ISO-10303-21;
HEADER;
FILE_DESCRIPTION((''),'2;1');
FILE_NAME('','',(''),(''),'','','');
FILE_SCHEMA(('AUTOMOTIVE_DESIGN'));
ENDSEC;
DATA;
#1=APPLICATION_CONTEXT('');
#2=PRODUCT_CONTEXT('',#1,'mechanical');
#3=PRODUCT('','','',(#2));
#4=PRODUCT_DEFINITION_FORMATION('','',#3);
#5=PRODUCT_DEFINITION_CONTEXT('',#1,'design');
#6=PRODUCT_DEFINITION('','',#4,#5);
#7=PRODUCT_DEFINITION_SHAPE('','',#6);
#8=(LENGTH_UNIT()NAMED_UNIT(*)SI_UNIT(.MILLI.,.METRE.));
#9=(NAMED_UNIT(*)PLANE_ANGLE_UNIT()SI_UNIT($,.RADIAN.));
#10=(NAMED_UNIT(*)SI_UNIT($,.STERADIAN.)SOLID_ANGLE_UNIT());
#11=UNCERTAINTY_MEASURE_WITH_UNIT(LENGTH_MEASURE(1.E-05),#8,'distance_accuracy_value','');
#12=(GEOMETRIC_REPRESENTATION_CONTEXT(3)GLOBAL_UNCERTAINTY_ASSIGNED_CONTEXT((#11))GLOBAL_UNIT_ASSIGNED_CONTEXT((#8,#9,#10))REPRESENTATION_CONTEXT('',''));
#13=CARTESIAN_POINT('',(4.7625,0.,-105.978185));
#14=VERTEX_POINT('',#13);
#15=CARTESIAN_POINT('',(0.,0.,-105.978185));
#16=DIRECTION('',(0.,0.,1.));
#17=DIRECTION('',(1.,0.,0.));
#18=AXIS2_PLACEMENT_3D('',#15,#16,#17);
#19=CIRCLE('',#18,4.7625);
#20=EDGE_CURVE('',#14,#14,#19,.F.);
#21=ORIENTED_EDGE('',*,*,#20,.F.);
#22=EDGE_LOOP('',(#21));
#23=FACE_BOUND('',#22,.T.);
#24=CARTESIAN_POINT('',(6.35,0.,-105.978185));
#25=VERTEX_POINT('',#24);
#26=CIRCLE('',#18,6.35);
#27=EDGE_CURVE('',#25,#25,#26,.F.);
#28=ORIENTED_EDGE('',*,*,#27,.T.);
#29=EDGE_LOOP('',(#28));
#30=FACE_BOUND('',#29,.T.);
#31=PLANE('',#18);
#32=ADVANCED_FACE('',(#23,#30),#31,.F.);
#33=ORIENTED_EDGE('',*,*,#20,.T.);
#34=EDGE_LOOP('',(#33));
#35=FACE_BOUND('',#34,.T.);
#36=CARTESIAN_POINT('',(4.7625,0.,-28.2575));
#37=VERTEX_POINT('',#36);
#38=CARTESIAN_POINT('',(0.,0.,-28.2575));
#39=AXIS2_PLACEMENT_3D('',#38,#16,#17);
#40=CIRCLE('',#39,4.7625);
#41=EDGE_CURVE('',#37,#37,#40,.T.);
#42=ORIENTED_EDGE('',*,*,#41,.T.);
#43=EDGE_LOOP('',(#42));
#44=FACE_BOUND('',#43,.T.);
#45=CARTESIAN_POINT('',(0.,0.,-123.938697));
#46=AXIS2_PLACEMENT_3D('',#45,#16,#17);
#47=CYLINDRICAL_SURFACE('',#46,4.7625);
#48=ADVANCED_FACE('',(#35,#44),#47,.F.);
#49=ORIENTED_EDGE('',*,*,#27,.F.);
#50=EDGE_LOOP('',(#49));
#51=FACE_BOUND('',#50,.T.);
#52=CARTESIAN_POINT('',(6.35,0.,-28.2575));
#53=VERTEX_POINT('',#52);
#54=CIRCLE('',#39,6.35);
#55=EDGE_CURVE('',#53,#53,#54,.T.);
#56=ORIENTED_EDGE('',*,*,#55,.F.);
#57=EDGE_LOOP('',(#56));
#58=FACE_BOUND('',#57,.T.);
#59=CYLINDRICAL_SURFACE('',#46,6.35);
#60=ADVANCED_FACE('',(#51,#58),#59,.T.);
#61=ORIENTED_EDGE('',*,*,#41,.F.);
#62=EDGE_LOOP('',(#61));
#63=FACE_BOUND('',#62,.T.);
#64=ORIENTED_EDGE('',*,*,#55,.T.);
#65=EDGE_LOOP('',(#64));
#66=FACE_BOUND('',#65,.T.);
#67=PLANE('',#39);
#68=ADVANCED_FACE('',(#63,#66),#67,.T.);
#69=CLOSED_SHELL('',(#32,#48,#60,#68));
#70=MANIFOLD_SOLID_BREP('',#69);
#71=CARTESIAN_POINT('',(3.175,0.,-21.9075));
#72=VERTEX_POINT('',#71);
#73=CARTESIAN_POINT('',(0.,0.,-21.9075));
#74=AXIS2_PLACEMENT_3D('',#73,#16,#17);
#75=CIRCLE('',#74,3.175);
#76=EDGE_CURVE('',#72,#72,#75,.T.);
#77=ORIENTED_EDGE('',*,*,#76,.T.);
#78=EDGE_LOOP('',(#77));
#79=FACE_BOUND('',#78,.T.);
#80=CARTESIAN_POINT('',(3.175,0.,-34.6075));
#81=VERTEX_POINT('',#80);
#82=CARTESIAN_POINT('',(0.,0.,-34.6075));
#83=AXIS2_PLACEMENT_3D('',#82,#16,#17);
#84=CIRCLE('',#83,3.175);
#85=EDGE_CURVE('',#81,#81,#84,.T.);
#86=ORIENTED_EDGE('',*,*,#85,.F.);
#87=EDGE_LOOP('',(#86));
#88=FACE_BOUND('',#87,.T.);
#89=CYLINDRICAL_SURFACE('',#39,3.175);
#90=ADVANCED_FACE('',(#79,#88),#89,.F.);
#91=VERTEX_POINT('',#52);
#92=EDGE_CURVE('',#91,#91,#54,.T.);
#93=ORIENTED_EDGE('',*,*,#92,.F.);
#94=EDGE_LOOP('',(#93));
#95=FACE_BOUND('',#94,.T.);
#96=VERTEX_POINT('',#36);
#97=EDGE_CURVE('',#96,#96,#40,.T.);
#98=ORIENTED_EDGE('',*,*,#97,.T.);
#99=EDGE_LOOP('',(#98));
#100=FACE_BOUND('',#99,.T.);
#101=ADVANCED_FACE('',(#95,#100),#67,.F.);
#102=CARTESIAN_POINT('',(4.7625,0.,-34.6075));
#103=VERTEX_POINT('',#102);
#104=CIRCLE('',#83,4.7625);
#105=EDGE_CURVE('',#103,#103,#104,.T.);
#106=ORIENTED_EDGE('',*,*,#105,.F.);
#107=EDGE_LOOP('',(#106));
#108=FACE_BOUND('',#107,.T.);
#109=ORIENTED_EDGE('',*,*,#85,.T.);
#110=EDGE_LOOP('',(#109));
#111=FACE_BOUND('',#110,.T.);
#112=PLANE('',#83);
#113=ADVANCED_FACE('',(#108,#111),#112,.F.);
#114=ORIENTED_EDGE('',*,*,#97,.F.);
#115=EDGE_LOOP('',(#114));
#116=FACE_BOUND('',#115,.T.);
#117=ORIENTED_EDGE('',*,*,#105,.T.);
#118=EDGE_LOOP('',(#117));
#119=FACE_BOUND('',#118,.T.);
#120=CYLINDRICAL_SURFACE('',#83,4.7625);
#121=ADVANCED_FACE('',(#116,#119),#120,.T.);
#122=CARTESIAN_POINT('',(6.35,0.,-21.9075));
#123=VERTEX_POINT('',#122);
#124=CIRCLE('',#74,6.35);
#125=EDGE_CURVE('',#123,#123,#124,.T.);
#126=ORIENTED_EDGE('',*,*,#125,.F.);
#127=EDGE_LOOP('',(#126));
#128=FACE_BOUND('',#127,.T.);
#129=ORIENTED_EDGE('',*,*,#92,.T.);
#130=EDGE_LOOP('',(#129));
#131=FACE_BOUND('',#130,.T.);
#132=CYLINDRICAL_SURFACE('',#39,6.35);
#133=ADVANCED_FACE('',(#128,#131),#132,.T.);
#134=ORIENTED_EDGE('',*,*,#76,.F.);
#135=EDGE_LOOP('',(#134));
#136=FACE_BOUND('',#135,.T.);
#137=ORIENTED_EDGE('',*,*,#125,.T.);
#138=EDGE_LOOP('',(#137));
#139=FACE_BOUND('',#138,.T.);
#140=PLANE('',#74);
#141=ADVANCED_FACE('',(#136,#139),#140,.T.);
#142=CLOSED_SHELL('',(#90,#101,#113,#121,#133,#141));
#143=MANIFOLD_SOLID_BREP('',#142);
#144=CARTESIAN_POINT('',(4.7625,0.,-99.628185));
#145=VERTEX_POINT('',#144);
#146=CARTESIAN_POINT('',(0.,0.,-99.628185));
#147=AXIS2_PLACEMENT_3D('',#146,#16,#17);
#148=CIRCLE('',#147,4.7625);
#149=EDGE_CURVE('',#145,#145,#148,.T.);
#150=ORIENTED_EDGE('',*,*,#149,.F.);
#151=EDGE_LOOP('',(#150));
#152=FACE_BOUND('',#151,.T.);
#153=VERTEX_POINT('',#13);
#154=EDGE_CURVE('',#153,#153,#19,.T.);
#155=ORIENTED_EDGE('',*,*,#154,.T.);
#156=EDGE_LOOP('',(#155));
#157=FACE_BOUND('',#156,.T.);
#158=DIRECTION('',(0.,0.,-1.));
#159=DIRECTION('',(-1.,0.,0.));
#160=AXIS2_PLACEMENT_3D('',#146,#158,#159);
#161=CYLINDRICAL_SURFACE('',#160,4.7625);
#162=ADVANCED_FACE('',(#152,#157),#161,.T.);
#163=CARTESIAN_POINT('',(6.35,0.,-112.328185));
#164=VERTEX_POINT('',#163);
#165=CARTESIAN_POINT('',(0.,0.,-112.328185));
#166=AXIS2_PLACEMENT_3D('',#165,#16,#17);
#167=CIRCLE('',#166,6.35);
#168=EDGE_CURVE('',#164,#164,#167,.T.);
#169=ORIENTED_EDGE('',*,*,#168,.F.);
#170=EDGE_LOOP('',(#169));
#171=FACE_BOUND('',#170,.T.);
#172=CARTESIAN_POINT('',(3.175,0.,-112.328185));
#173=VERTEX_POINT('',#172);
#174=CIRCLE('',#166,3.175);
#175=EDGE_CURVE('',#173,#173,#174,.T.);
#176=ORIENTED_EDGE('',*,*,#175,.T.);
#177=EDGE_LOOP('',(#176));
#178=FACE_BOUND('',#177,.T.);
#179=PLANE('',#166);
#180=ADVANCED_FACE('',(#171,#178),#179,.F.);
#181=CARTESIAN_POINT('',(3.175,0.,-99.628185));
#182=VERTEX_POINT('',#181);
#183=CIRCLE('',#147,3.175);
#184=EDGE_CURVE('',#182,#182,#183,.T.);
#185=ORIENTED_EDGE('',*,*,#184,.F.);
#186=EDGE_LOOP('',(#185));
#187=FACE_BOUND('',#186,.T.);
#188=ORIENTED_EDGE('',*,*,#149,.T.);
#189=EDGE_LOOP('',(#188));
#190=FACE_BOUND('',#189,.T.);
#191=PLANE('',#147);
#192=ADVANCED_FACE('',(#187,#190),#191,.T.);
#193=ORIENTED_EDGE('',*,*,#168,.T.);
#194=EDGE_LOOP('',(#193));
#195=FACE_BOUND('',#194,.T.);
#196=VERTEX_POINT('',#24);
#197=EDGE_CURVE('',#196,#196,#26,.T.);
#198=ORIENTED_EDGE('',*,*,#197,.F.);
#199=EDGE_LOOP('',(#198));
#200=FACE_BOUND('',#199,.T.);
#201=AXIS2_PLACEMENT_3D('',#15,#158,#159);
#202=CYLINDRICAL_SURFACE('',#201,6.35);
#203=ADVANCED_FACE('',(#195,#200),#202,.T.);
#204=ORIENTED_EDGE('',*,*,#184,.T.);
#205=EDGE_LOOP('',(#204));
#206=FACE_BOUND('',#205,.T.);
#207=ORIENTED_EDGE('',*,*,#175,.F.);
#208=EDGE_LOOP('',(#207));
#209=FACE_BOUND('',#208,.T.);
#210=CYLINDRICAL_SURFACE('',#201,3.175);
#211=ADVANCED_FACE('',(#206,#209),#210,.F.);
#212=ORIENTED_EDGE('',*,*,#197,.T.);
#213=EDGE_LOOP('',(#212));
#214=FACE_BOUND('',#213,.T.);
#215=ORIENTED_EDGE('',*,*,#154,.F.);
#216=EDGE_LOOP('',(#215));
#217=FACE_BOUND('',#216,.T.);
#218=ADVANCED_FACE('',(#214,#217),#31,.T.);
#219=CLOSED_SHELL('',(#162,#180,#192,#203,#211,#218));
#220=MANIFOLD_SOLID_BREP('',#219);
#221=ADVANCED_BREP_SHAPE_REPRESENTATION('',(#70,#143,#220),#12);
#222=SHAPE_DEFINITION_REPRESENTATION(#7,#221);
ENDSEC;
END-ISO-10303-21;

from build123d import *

# Parameters (mm, degrees)
THREADED_START            = -21.9075
SKETCH2_R                 = 6.35
SKETCH2_R_2               = 4.7625
SKETCH2_R_3               = 3.175
THREADED_INSERT_1_1_DEPTH = 6.35
THREADED_START_2          = -28.2575
SKETCH2_5_R               = 4.7625
SKETCH2_5_R_2             = 3.175
THREADED_INSERT_1_2_DEPTH = 6.35
BOSS_EXTRUDE4_START       = -112.328185
SKETCH2_7_R               = 6.35
SKETCH2_7_R_2             = 4.7625
SKETCH2_7_R_3             = 3.175
BOSS_EXTRUDE4_DEPTH       = 6.35
BOSS_EXTRUDE5_START       = -99.628185
SKETCH2_8_R               = 4.7625
SKETCH2_8_R_2             = 3.175
BOSS_EXTRUDE5_DEPTH       = 6.35
BOSS_EXTRUDE6_START       = -28.2575
SKETCH2_9_R               = 6.35
SKETCH2_9_R_2             = 4.7625
BOSS_EXTRUDE6_DEPTH       = 77.720684792


with BuildPart() as part:
    # Sketch2 → Threaded Insert 1-1 (new body)
    # profile 1 of 2: a face of its own
    with BuildSketch(Plane.XY.offset(THREADED_START)):
        Circle(SKETCH2_R)
        Circle(SKETCH2_R_2, mode=Mode.SUBTRACT)
    # profile 2 of 2: a face of its own
    with BuildSketch(Plane.XY.offset(THREADED_START)):
        Circle(SKETCH2_R_2)
        Circle(SKETCH2_R_3, mode=Mode.SUBTRACT)
    extrude(amount=-THREADED_INSERT_1_1_DEPTH)

    # Sketch2<5> → Threaded Insert 1-2 (add)
    with BuildSketch(Plane.XY.offset(THREADED_START_2)):
        Circle(SKETCH2_5_R)
        Circle(SKETCH2_5_R_2, mode=Mode.SUBTRACT)
    extrude(amount=-THREADED_INSERT_1_2_DEPTH)


with BuildPart() as body_2:
    # Sketch2<7> → Boss-Extrude4 (new body)
    # profile 1 of 2: a face of its own
    with BuildSketch(Plane.XY.offset(BOSS_EXTRUDE4_START)):
        Circle(SKETCH2_7_R)
        Circle(SKETCH2_7_R_2, mode=Mode.SUBTRACT)
    # profile 2 of 2: a face of its own
    with BuildSketch(Plane.XY.offset(BOSS_EXTRUDE4_START)):
        Circle(SKETCH2_7_R_2)
        Circle(SKETCH2_7_R_3, mode=Mode.SUBTRACT)
    extrude(amount=BOSS_EXTRUDE4_DEPTH)

    # Sketch2<8> → Boss-Extrude5 (add)
    with BuildSketch(Plane.XY.offset(BOSS_EXTRUDE5_START)):
        Circle(SKETCH2_8_R)
        Circle(SKETCH2_8_R_2, mode=Mode.SUBTRACT)
    extrude(amount=-BOSS_EXTRUDE5_DEPTH)


with BuildPart() as body_3:
    # Sketch2<9> → Boss-Extrude6 (new body)
    with BuildSketch(Plane.XY.offset(BOSS_EXTRUDE6_START)):
        Circle(SKETCH2_9_R)
        Circle(SKETCH2_9_R_2, mode=Mode.SUBTRACT)
    extrude(amount=-BOSS_EXTRUDE6_DEPTH)


solid = Compound([part.part, body_2.part, body_3.part])
